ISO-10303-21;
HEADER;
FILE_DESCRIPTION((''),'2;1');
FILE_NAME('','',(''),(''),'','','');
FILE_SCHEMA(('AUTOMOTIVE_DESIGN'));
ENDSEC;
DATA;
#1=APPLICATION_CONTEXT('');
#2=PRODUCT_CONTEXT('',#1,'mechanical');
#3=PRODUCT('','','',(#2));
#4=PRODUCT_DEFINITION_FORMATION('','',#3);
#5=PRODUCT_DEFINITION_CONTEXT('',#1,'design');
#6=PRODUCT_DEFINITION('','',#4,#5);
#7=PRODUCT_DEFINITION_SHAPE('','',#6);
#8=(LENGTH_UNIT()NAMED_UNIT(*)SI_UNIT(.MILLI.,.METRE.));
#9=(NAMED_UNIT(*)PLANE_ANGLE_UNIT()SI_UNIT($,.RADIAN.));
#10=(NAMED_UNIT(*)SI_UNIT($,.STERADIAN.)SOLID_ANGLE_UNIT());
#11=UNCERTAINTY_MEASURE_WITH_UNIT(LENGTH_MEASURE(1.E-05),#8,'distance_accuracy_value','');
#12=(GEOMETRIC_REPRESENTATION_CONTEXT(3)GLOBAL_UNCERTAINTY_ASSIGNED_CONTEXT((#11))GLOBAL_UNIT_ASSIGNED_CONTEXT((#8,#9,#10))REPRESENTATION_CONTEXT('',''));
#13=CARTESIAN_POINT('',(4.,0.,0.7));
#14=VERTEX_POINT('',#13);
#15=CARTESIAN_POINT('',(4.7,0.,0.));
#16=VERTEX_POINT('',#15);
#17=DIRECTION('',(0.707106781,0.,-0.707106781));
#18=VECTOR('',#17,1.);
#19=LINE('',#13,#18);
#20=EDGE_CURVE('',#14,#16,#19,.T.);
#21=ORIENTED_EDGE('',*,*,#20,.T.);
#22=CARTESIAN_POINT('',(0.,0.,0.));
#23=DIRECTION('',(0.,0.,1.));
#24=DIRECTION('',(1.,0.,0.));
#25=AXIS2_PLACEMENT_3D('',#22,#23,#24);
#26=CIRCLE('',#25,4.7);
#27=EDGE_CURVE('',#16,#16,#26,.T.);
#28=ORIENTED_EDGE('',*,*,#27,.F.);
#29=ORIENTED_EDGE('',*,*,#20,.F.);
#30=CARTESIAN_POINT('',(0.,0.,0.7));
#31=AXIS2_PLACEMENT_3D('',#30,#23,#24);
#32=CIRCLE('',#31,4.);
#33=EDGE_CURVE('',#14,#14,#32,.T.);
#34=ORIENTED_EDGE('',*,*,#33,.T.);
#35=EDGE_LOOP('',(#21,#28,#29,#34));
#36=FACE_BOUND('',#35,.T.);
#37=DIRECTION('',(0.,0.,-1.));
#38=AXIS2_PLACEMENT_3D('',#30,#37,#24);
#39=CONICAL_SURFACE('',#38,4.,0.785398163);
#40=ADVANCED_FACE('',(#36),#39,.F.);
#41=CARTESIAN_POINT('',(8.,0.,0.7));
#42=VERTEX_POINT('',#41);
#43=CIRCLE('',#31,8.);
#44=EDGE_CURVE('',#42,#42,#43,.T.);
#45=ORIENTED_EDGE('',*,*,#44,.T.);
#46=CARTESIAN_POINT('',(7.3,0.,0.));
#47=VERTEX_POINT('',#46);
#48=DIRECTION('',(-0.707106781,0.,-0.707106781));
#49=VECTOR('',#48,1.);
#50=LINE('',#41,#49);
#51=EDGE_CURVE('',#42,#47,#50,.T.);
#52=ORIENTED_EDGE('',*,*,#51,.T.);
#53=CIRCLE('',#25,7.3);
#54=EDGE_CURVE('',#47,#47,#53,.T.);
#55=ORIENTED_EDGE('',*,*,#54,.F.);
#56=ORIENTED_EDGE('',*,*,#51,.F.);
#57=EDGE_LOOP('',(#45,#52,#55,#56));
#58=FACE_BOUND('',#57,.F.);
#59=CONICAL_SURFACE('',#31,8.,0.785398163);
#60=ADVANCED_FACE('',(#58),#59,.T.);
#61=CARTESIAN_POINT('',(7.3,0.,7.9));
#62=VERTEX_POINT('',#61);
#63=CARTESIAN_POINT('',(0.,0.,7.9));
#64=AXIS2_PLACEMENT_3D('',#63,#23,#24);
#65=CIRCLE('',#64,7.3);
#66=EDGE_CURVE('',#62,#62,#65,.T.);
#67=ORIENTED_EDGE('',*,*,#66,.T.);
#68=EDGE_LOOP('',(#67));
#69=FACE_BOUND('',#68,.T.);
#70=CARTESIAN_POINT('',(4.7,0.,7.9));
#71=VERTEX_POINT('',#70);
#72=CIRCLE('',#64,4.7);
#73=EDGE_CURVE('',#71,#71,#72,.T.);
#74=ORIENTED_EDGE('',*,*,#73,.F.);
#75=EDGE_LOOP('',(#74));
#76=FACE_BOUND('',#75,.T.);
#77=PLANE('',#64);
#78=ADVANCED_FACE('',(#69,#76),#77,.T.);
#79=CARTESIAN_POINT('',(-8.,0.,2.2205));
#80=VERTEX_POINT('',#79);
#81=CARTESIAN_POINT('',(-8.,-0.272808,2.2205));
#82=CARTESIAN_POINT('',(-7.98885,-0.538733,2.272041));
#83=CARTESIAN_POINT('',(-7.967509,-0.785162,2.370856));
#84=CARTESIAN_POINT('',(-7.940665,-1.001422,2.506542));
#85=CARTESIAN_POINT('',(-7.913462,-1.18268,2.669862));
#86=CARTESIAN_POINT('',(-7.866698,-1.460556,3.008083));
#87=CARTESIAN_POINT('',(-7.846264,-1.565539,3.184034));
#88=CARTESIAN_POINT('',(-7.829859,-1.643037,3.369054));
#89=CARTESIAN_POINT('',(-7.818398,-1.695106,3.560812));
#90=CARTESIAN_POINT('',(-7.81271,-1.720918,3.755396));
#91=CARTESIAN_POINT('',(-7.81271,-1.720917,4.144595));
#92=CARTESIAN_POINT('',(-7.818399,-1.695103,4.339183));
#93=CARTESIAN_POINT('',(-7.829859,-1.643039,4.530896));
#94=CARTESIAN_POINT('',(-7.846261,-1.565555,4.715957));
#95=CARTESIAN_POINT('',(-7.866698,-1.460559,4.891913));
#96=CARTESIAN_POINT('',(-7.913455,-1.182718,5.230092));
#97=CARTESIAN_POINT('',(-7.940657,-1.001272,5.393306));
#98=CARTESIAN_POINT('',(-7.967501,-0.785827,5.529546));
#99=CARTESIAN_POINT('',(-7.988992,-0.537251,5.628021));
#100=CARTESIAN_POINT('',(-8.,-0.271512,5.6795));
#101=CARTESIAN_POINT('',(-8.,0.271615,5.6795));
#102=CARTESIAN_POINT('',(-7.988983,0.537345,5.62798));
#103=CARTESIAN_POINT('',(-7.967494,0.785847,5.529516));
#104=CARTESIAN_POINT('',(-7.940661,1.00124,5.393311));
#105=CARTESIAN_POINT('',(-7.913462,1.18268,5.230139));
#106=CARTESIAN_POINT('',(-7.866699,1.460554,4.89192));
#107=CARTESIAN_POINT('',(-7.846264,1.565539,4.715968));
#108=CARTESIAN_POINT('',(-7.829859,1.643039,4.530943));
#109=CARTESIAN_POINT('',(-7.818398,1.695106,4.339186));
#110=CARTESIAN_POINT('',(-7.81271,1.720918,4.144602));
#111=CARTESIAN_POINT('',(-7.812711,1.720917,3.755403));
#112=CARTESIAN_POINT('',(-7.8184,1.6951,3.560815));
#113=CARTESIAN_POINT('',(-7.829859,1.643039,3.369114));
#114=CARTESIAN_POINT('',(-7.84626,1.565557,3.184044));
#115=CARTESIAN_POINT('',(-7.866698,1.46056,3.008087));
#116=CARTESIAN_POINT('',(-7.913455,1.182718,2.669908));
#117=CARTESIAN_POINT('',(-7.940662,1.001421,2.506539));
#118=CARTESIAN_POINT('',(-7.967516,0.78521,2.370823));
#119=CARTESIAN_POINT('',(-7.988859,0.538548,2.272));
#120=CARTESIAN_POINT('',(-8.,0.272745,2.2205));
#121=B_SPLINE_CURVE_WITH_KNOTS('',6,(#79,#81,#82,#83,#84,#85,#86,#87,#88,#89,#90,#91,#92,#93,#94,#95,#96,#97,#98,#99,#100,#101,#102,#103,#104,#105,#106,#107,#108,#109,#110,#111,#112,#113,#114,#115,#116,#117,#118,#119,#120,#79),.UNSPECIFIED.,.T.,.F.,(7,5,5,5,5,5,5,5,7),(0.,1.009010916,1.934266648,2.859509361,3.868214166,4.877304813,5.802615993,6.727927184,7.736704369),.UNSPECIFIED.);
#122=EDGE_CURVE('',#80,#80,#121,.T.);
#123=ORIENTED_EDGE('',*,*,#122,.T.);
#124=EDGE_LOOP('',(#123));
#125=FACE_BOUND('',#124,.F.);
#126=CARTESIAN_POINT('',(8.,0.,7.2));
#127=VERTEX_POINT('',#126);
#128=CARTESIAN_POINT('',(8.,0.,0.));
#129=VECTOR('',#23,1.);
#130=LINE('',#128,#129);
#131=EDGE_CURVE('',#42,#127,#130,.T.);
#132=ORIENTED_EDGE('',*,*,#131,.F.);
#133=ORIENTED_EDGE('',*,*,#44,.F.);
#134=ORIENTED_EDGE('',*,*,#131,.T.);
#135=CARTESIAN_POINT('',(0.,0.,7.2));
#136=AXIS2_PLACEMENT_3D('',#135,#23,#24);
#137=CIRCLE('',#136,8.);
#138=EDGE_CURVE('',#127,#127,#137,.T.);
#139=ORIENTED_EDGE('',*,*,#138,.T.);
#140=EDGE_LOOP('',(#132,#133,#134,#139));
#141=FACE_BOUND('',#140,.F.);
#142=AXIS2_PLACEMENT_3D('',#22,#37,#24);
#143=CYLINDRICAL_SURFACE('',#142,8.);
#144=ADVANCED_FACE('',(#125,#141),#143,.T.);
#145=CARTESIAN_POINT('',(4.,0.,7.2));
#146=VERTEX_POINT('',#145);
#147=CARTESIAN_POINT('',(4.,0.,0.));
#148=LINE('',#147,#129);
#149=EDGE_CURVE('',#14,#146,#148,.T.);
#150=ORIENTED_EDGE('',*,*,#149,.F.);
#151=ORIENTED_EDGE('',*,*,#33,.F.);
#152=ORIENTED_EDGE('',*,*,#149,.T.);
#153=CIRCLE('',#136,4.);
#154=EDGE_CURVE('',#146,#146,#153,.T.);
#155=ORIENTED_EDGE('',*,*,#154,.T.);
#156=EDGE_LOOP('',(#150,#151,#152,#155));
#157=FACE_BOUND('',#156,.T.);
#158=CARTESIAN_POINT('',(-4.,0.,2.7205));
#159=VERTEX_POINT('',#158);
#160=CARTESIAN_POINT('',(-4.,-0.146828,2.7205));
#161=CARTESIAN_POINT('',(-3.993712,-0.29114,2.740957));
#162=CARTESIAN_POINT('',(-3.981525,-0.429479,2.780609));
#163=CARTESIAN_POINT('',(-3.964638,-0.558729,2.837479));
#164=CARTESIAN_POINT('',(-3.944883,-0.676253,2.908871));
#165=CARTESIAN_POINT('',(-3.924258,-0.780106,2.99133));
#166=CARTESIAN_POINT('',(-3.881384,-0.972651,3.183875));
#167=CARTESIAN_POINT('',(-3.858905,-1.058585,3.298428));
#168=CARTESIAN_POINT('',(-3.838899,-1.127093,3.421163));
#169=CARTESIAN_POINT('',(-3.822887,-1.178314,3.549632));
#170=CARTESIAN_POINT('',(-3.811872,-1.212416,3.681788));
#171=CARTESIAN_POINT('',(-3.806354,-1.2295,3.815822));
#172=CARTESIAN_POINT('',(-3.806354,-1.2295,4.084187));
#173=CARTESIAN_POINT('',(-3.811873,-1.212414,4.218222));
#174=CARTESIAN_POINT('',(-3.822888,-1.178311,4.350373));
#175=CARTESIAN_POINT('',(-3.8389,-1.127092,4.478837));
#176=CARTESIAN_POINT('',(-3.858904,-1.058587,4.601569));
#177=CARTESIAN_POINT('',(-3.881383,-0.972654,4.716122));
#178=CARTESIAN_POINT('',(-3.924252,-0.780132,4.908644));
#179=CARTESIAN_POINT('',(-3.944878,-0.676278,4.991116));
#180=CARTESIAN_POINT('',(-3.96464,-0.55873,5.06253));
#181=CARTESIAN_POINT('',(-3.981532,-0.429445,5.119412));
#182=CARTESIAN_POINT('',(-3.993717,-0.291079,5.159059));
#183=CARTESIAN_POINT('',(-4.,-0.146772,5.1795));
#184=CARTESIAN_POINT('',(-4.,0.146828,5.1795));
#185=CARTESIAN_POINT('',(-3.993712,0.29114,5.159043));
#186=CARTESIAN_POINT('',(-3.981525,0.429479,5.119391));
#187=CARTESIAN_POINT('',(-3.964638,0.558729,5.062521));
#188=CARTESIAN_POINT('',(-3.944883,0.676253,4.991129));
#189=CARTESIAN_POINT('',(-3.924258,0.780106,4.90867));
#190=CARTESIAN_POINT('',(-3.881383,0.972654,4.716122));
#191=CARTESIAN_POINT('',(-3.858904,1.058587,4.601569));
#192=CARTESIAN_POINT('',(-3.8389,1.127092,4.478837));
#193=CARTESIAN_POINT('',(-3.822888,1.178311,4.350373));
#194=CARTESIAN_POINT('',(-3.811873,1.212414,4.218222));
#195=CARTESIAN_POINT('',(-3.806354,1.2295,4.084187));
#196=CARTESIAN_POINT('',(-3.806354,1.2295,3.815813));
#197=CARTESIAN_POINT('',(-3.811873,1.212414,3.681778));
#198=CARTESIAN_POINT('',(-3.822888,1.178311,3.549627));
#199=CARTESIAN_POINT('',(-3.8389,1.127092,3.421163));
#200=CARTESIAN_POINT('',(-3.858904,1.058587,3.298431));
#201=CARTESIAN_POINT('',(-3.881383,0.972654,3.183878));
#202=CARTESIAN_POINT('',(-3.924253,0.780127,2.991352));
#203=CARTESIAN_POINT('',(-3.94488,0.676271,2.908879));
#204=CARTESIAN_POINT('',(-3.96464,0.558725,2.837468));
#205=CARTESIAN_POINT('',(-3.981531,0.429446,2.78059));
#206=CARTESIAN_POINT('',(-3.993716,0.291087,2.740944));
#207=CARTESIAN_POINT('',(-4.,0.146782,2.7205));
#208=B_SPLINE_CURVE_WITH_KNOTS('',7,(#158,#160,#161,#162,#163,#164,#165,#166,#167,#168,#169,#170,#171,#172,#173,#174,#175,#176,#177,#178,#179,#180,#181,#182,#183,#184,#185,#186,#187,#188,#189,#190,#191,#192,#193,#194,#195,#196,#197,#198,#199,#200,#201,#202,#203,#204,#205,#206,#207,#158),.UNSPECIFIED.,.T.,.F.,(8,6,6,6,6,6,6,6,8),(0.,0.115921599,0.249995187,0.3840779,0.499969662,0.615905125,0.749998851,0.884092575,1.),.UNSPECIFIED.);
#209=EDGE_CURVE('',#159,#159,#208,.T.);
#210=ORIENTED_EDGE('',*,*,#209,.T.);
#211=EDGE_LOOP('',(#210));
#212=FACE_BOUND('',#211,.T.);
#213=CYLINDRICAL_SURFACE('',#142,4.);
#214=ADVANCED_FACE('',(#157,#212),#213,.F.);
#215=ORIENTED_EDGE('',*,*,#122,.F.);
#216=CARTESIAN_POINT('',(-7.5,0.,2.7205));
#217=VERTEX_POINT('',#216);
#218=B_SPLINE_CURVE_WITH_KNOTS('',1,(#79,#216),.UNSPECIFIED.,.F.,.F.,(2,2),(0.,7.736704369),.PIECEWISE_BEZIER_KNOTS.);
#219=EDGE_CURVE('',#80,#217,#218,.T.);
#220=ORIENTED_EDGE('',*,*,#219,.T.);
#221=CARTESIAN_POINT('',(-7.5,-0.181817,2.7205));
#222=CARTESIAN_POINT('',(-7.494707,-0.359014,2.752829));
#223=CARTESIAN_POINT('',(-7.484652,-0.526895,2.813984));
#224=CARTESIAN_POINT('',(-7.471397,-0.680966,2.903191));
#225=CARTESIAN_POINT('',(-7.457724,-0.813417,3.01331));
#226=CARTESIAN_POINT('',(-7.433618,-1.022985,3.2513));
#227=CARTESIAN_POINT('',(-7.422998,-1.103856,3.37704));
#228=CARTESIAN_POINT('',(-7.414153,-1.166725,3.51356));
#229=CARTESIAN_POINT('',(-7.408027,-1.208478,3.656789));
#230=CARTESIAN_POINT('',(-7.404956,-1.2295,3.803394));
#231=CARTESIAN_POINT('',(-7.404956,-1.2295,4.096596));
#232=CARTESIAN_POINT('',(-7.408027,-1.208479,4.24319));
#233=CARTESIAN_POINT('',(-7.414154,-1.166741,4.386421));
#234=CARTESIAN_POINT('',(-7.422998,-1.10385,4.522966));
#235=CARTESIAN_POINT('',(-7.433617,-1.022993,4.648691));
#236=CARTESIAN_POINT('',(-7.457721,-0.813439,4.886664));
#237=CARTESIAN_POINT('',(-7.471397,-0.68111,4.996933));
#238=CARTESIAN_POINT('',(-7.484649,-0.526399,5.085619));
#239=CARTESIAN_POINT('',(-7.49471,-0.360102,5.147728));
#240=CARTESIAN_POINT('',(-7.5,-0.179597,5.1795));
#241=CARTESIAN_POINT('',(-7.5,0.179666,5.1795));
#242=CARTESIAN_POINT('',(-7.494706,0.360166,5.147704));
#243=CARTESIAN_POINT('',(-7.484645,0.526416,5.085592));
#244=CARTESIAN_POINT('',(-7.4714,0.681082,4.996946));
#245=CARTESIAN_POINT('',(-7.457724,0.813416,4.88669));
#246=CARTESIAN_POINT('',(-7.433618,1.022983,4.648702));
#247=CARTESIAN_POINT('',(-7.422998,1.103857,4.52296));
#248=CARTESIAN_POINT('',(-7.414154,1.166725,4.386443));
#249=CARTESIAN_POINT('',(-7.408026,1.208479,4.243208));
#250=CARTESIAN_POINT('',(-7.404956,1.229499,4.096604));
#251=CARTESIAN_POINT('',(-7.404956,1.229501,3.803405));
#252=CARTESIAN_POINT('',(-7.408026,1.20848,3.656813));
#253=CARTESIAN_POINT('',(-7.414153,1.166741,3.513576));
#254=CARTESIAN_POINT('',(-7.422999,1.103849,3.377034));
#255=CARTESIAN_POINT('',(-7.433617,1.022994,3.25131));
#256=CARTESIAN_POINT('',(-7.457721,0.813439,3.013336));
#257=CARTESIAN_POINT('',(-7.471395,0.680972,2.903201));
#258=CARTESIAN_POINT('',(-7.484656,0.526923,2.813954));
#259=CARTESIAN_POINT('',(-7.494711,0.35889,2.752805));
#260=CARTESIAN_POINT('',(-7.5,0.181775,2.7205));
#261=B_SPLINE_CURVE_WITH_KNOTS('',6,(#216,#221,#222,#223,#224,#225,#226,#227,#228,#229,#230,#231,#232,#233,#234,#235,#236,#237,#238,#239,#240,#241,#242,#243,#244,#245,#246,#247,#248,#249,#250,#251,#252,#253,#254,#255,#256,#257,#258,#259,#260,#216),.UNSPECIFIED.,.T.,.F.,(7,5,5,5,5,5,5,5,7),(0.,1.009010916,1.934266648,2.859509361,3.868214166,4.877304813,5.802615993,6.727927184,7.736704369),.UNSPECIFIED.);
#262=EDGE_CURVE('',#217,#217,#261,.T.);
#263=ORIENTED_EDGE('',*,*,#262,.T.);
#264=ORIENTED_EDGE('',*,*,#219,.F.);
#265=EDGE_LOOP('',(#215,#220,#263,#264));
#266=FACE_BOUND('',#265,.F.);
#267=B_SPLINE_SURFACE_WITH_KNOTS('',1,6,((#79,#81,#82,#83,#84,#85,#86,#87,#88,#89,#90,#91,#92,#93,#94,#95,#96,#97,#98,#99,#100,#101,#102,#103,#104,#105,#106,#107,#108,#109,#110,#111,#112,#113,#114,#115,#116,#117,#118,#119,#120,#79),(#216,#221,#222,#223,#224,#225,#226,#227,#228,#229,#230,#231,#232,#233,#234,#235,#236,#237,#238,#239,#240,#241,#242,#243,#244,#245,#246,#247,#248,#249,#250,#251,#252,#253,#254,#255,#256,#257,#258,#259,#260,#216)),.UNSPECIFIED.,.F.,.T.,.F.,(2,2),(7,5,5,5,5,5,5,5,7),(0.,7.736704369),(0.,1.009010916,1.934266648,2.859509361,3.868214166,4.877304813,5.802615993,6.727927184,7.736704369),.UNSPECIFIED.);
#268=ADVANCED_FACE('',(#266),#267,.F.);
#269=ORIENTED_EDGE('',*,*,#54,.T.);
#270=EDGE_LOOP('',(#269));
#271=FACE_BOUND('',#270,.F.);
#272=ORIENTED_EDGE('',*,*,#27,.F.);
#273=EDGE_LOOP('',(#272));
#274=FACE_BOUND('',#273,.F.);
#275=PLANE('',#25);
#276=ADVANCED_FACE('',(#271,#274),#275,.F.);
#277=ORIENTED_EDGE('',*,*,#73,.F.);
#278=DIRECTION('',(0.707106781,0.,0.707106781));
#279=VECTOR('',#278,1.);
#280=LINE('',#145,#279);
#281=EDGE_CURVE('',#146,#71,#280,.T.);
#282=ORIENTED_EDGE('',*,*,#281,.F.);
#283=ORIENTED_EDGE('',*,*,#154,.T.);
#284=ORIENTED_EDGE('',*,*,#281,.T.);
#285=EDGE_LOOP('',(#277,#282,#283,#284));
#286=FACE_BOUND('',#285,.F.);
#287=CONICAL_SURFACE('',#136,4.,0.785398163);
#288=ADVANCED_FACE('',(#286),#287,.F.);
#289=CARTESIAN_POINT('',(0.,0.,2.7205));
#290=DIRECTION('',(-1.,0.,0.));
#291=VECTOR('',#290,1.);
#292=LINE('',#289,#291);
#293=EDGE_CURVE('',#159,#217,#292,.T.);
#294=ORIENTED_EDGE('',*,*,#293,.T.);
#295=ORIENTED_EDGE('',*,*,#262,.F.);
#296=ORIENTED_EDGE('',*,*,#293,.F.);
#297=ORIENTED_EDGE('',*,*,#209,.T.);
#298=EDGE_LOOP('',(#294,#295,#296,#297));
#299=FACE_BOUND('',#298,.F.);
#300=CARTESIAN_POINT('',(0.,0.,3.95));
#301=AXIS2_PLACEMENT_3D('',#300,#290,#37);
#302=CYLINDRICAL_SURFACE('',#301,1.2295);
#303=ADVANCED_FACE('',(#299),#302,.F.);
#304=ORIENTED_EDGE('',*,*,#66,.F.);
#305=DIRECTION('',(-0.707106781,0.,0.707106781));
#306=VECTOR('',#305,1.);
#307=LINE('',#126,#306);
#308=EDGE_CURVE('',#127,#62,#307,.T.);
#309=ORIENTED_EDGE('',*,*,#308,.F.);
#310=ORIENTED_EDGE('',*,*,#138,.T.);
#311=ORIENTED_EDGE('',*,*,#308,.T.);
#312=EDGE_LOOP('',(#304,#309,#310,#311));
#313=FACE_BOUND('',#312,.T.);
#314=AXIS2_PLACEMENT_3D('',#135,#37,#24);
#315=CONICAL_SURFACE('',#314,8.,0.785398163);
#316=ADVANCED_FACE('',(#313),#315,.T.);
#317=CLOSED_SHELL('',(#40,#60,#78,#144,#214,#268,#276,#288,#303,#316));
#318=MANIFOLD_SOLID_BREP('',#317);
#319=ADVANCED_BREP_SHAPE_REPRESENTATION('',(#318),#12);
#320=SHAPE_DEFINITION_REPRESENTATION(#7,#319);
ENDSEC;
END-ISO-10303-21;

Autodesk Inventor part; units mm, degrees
ref_plane "YZ Plane" through (0, 0, 0) normal (1, 0, 0) x (0, 1, 0)
ref_plane "XZ Plane" through (0, 0, 0) normal (0, 1, 0) x (-1, 0, 0)
ref_plane "XY Plane" through (0, 0, 0) normal (0, 0, 1) x (1, 0, 0)
sketch "Sketch1" plane through (0, 0, 0) normal (0, 0, 1) x (1, 0, 0)
  circle A0 centre (0, 0) radius 8
  circle A1 centre (0, 0) radius 4
  dimension "d0" = 16
  dimension "d1" = 8
extrude "Extrusion1" add sketch "Sketch1" along normal blind 7.9
chamfer "Chamfer1" distance 0.7 angle 45 4 edges at (-8, 0, 0) (-8, 0, 7.9) (-4, 0, 0) (-4, 0, 7.9)
sketch "Sketch2" plane through (0, 0, 0) normal (1, 0, 0) x (0, 1, 0)
  line L0 (-4.7, 0) -> (4.7, 0) projected
  line L1 (4.7, 7.9) -> (-4.7, 7.9) projected
  point P0 (0, 0)
  point P1 (0, 3.95)
  point P2 (0, 0)
  dimension "d7" = 3.95
hole "Hole1" at (0, 0, 3.95) direction (-1, 0, 0) diameter 2.459 end through all thread size "M3x0.5" class "6H" standard "ISO Metric profile"
chamfer "Chamfer2" distance 0.5 angle 45 1 edges at (-8, 0.0002, 5.1795)
properties part number "askraag 8mm" material "Stainless Steel"
